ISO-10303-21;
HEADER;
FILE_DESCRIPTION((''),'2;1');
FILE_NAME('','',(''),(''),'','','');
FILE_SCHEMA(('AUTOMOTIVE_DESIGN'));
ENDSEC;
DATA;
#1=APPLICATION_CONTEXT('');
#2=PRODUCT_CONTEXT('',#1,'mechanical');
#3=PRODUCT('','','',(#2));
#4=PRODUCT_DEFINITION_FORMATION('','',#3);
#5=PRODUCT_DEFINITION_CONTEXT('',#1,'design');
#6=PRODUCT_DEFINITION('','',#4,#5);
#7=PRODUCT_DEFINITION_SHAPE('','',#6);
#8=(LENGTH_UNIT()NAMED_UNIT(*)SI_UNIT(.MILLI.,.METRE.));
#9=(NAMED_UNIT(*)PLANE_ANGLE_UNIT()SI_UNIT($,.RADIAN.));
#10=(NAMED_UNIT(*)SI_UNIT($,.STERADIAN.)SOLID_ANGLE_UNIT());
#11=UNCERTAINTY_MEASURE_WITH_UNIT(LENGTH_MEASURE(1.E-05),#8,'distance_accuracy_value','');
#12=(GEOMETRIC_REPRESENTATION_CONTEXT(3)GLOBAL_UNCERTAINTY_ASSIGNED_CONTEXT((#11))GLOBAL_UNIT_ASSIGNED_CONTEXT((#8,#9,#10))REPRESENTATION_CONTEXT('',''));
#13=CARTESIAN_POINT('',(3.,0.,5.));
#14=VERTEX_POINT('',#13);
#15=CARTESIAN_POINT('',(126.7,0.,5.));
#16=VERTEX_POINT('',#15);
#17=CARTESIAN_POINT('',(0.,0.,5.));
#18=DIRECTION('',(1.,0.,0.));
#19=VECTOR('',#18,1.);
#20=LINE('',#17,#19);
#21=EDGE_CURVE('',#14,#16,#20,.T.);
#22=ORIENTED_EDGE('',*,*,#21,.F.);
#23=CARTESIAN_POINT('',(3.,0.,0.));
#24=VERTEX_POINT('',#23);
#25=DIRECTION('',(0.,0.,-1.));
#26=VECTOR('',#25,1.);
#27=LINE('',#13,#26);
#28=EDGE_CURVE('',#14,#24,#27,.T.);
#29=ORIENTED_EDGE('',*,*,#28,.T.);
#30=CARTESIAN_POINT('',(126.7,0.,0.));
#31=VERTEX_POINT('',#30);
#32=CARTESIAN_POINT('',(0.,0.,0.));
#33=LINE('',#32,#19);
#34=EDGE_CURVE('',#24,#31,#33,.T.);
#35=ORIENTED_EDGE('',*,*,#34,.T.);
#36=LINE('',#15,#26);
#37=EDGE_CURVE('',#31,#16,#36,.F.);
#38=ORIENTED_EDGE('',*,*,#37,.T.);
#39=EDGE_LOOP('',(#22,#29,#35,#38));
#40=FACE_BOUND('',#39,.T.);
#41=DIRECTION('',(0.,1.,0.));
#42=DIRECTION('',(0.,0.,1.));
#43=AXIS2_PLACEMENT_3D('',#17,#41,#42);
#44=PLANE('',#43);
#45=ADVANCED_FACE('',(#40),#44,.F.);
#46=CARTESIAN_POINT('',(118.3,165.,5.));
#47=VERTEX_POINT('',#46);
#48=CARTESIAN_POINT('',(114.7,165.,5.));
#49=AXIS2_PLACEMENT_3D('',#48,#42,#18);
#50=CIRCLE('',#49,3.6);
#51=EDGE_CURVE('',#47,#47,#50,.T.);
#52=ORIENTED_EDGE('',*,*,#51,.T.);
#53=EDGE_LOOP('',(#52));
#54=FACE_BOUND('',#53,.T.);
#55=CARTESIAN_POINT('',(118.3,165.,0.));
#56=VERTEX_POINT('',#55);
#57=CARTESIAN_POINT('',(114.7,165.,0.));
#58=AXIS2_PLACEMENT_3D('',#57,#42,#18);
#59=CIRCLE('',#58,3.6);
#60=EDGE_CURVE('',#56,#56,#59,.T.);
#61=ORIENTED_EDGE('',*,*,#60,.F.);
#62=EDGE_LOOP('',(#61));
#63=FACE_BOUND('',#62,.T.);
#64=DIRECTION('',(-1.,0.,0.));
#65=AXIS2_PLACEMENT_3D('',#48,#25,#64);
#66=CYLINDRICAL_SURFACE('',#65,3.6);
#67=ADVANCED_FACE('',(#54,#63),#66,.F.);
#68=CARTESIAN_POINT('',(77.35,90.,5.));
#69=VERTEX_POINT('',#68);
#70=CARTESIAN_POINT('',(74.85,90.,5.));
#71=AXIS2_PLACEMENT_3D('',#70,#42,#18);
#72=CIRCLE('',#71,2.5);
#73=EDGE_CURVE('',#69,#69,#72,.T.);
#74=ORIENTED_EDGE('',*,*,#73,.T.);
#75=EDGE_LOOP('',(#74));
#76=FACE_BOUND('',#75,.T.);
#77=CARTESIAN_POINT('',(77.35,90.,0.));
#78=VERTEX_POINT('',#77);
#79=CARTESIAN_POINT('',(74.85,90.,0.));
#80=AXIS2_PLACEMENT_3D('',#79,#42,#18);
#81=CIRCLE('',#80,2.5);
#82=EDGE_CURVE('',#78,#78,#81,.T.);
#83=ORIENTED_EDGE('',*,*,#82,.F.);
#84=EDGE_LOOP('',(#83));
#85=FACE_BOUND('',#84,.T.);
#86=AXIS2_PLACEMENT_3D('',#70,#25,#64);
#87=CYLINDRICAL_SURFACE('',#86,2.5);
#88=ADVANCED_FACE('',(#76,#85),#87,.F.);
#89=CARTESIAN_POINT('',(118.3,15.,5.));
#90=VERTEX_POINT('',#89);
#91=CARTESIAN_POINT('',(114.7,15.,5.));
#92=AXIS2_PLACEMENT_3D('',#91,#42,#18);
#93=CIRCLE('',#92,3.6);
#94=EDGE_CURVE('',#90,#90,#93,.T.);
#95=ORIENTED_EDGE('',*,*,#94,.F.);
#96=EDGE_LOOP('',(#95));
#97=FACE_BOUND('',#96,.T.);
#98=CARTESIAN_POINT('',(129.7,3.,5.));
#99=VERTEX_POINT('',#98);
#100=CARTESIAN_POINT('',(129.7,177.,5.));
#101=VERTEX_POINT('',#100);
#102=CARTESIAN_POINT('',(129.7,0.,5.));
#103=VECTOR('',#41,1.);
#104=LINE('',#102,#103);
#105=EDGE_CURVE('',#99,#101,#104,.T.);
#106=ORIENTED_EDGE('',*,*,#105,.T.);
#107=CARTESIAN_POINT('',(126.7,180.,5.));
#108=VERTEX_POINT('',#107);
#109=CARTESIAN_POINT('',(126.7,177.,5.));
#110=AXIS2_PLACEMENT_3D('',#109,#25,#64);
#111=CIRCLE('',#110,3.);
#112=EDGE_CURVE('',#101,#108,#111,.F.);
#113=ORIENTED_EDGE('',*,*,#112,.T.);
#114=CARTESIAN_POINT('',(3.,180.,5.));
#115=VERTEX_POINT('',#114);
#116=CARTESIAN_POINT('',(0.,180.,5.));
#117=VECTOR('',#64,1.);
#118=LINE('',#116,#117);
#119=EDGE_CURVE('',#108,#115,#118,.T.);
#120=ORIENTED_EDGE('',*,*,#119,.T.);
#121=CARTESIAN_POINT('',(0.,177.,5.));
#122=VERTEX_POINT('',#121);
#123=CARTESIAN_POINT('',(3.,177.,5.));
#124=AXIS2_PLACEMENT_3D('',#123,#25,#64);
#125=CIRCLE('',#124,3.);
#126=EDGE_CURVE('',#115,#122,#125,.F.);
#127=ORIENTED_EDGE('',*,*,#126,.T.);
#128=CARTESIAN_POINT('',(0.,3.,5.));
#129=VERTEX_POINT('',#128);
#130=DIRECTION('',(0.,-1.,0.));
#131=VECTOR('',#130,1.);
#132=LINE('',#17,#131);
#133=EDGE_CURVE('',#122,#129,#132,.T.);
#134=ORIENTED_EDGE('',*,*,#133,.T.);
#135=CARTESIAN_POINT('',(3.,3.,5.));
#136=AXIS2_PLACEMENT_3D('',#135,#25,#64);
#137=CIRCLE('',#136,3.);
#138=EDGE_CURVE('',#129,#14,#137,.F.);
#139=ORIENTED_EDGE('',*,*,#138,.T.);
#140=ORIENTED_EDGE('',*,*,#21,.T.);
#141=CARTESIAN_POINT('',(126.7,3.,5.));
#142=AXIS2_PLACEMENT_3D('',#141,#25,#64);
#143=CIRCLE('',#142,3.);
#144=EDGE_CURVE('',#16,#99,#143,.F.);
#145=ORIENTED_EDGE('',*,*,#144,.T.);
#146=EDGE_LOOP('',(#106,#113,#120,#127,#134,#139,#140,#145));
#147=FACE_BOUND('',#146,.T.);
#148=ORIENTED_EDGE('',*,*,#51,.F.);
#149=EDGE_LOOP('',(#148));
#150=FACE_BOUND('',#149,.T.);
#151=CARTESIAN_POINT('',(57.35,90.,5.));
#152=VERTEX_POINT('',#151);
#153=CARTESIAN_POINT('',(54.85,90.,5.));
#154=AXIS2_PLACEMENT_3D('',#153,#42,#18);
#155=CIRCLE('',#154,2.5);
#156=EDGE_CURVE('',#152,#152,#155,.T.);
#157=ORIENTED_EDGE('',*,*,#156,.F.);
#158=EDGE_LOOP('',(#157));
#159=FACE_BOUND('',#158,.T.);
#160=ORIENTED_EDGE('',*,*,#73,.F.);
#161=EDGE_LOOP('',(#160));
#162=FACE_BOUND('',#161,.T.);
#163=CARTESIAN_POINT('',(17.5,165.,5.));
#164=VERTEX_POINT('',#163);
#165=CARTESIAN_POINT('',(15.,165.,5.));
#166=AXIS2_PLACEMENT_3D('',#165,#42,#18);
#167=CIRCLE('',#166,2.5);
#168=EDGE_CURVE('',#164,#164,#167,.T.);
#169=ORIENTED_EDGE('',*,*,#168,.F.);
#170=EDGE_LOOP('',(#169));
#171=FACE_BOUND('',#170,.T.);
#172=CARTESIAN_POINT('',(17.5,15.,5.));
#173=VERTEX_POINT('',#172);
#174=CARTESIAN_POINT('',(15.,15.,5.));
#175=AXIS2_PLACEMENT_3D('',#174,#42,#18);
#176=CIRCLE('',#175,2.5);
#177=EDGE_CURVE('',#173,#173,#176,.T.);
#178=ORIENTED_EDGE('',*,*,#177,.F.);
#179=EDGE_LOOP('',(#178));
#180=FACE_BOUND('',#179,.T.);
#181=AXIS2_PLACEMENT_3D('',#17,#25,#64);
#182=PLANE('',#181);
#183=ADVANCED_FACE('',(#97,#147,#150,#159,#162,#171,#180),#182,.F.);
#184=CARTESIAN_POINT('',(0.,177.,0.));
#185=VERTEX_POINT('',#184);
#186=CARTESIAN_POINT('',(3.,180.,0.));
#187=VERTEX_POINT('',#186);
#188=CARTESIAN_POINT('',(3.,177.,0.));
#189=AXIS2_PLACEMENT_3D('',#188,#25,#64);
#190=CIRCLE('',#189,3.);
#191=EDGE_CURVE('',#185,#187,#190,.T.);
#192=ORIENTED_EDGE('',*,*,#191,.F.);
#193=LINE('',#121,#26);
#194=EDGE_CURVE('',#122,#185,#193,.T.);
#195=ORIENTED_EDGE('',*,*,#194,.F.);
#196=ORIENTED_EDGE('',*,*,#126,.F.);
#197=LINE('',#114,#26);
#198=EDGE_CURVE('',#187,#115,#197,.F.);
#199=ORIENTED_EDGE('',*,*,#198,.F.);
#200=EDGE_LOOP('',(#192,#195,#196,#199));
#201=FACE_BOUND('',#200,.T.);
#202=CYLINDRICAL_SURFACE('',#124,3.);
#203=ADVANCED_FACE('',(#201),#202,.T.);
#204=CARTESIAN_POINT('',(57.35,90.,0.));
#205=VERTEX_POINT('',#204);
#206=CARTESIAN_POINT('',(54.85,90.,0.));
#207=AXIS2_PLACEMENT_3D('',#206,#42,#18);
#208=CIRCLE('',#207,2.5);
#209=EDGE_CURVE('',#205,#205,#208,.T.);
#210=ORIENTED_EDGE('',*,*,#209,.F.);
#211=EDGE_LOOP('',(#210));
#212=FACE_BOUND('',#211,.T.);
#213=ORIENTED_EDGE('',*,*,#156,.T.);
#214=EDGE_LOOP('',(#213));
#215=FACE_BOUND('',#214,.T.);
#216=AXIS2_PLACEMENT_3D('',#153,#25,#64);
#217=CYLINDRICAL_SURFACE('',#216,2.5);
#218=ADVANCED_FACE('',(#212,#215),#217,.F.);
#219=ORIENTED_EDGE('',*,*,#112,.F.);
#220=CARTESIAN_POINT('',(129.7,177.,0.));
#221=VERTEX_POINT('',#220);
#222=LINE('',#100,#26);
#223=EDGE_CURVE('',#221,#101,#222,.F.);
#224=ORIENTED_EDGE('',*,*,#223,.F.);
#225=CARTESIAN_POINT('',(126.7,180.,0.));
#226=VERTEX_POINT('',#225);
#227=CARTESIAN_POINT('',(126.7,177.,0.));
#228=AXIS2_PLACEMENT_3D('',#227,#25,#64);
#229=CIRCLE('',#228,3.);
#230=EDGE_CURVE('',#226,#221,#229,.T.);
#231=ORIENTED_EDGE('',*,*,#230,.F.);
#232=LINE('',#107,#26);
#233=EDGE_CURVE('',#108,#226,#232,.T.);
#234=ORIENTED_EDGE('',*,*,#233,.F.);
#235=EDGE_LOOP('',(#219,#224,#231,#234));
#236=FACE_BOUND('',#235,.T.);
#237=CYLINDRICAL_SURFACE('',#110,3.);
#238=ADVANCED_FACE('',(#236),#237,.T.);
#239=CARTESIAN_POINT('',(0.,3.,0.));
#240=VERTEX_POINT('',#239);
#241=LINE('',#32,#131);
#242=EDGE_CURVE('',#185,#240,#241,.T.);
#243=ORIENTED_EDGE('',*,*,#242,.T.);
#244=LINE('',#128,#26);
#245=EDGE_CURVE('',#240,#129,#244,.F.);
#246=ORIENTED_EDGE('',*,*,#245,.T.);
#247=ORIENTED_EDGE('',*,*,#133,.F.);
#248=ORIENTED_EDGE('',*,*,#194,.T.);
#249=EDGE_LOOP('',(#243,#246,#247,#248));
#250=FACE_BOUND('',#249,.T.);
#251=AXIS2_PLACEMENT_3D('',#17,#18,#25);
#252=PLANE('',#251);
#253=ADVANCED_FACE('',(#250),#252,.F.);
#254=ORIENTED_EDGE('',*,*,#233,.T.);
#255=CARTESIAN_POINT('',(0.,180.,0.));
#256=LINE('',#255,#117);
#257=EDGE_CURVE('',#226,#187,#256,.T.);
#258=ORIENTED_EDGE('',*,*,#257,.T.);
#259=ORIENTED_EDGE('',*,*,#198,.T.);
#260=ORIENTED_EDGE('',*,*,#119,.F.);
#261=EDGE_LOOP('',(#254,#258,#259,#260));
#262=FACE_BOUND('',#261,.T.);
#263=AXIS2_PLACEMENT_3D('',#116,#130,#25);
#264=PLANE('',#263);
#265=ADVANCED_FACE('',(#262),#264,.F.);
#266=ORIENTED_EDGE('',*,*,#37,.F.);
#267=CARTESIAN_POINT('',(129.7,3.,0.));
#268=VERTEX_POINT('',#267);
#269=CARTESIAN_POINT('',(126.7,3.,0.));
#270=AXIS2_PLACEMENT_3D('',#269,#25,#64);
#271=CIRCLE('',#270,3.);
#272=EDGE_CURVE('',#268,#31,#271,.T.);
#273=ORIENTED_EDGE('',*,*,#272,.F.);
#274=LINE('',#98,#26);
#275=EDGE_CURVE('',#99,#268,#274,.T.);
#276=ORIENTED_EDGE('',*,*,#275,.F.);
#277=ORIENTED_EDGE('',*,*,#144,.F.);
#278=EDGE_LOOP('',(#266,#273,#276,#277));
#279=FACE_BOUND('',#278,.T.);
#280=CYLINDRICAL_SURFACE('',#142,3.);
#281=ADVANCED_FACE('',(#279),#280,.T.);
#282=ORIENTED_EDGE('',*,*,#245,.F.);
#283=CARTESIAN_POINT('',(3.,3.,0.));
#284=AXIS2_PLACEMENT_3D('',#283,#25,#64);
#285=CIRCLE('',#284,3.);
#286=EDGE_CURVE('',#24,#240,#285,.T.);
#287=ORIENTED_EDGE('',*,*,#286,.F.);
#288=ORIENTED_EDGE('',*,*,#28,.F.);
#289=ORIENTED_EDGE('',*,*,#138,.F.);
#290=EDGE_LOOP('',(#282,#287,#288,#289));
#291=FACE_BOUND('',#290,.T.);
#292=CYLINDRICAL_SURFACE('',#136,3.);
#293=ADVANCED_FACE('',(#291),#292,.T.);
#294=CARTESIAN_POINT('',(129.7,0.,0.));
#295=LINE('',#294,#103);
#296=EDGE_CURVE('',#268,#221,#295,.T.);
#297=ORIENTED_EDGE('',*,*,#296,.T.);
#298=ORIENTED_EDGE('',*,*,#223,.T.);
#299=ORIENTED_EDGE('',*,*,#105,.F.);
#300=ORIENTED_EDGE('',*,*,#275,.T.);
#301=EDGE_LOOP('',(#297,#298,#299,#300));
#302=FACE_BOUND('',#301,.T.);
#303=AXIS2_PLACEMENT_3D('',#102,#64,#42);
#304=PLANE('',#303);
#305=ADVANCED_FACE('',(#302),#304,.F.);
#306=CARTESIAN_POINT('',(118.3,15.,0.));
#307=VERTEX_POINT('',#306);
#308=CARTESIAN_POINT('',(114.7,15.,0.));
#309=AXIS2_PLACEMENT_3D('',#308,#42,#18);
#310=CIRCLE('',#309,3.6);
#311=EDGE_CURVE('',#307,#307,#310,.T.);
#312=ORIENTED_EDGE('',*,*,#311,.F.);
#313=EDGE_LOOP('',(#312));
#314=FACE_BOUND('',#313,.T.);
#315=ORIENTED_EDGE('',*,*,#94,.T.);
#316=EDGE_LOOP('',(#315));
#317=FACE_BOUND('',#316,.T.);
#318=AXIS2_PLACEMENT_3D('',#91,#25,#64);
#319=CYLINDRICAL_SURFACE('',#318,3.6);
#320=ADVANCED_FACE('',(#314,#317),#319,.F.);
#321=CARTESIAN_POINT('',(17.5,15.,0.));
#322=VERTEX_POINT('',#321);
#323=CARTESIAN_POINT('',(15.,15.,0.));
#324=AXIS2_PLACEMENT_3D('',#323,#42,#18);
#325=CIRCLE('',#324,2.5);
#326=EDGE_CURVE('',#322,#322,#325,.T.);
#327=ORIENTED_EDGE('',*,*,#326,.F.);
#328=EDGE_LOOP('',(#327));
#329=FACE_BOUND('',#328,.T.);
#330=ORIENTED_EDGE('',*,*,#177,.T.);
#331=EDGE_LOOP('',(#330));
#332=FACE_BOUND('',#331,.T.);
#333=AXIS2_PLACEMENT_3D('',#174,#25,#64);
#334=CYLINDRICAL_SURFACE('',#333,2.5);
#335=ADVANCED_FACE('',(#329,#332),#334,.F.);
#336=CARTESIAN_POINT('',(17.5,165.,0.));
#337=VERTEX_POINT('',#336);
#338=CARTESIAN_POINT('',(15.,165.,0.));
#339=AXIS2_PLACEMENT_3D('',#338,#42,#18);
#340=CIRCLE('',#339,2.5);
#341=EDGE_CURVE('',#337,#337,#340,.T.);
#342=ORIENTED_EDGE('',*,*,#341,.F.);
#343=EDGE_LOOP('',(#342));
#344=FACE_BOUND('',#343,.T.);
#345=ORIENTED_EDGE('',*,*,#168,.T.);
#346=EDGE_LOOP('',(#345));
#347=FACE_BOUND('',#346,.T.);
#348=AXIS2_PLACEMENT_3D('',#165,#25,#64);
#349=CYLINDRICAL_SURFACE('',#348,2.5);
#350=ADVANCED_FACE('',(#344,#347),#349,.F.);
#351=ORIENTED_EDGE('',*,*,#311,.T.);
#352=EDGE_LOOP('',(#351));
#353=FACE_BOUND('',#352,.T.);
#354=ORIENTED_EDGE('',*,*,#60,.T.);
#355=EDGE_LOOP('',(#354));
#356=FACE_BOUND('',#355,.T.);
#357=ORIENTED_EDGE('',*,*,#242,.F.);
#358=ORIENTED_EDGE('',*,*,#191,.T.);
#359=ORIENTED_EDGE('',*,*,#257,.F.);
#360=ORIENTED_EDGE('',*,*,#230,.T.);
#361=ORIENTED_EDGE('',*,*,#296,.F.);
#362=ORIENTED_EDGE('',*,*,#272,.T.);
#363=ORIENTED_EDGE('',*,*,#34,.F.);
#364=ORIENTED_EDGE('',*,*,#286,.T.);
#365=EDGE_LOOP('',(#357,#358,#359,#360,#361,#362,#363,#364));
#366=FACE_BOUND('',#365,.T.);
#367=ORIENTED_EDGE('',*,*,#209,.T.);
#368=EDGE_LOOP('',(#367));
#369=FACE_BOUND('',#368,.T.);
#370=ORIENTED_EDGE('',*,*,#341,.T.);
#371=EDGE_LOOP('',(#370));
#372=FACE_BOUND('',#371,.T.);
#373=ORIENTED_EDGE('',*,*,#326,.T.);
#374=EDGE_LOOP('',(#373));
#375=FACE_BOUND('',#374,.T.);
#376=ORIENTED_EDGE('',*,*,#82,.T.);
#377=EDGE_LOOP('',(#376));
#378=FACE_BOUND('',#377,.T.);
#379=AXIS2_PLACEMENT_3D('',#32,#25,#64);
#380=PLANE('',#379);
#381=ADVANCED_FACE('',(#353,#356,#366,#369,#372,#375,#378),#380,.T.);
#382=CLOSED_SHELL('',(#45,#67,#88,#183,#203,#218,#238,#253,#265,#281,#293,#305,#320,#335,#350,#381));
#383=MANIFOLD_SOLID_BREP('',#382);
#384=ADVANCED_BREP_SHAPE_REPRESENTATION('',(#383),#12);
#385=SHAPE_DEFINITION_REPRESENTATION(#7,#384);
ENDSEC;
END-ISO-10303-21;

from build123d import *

# Parameters (mm, degrees)
SKETCH1_W           = 129.7
SKETCH1_H           = 180
SKETCH1_R           = 2.5
SKETCH1_R_2         = 3.6
BOSS_EXTRUDE1_DEPTH = 5
FILLET1_R           = 3


with BuildPart() as part:
    # Sketch1 → Boss-Extrude1 (new body)
    with BuildSketch(Plane.XY):
        with Locations((64.85, 90)):
            Rectangle(SKETCH1_W, SKETCH1_H)
        with Locations((15, 15)):
            Circle(SKETCH1_R, mode=Mode.SUBTRACT)
        with Locations((15, 165)):
            Circle(SKETCH1_R, mode=Mode.SUBTRACT)
        with Locations((114.7, 165)):
            Circle(SKETCH1_R_2, mode=Mode.SUBTRACT)
        with Locations((114.7, 15)):
            Circle(SKETCH1_R_2, mode=Mode.SUBTRACT)
        with Locations((74.85, 90)):
            Circle(SKETCH1_R, mode=Mode.SUBTRACT)
        with Locations((54.85, 90)):
            Circle(SKETCH1_R, mode=Mode.SUBTRACT)
    extrude(amount=BOSS_EXTRUDE1_DEPTH)

    # Fillet1
    fillet1_edges = [part.edges().sort_by_distance(p)[0] for p in [
        (0, 180, 2.5),
        (129.7, 180, 2.5),
        (129.7, 0, 2.5),
        (0, 0, 2.5),
    ]]
    fillet(fillet1_edges, radius=FILLET1_R)


solid = part.part
